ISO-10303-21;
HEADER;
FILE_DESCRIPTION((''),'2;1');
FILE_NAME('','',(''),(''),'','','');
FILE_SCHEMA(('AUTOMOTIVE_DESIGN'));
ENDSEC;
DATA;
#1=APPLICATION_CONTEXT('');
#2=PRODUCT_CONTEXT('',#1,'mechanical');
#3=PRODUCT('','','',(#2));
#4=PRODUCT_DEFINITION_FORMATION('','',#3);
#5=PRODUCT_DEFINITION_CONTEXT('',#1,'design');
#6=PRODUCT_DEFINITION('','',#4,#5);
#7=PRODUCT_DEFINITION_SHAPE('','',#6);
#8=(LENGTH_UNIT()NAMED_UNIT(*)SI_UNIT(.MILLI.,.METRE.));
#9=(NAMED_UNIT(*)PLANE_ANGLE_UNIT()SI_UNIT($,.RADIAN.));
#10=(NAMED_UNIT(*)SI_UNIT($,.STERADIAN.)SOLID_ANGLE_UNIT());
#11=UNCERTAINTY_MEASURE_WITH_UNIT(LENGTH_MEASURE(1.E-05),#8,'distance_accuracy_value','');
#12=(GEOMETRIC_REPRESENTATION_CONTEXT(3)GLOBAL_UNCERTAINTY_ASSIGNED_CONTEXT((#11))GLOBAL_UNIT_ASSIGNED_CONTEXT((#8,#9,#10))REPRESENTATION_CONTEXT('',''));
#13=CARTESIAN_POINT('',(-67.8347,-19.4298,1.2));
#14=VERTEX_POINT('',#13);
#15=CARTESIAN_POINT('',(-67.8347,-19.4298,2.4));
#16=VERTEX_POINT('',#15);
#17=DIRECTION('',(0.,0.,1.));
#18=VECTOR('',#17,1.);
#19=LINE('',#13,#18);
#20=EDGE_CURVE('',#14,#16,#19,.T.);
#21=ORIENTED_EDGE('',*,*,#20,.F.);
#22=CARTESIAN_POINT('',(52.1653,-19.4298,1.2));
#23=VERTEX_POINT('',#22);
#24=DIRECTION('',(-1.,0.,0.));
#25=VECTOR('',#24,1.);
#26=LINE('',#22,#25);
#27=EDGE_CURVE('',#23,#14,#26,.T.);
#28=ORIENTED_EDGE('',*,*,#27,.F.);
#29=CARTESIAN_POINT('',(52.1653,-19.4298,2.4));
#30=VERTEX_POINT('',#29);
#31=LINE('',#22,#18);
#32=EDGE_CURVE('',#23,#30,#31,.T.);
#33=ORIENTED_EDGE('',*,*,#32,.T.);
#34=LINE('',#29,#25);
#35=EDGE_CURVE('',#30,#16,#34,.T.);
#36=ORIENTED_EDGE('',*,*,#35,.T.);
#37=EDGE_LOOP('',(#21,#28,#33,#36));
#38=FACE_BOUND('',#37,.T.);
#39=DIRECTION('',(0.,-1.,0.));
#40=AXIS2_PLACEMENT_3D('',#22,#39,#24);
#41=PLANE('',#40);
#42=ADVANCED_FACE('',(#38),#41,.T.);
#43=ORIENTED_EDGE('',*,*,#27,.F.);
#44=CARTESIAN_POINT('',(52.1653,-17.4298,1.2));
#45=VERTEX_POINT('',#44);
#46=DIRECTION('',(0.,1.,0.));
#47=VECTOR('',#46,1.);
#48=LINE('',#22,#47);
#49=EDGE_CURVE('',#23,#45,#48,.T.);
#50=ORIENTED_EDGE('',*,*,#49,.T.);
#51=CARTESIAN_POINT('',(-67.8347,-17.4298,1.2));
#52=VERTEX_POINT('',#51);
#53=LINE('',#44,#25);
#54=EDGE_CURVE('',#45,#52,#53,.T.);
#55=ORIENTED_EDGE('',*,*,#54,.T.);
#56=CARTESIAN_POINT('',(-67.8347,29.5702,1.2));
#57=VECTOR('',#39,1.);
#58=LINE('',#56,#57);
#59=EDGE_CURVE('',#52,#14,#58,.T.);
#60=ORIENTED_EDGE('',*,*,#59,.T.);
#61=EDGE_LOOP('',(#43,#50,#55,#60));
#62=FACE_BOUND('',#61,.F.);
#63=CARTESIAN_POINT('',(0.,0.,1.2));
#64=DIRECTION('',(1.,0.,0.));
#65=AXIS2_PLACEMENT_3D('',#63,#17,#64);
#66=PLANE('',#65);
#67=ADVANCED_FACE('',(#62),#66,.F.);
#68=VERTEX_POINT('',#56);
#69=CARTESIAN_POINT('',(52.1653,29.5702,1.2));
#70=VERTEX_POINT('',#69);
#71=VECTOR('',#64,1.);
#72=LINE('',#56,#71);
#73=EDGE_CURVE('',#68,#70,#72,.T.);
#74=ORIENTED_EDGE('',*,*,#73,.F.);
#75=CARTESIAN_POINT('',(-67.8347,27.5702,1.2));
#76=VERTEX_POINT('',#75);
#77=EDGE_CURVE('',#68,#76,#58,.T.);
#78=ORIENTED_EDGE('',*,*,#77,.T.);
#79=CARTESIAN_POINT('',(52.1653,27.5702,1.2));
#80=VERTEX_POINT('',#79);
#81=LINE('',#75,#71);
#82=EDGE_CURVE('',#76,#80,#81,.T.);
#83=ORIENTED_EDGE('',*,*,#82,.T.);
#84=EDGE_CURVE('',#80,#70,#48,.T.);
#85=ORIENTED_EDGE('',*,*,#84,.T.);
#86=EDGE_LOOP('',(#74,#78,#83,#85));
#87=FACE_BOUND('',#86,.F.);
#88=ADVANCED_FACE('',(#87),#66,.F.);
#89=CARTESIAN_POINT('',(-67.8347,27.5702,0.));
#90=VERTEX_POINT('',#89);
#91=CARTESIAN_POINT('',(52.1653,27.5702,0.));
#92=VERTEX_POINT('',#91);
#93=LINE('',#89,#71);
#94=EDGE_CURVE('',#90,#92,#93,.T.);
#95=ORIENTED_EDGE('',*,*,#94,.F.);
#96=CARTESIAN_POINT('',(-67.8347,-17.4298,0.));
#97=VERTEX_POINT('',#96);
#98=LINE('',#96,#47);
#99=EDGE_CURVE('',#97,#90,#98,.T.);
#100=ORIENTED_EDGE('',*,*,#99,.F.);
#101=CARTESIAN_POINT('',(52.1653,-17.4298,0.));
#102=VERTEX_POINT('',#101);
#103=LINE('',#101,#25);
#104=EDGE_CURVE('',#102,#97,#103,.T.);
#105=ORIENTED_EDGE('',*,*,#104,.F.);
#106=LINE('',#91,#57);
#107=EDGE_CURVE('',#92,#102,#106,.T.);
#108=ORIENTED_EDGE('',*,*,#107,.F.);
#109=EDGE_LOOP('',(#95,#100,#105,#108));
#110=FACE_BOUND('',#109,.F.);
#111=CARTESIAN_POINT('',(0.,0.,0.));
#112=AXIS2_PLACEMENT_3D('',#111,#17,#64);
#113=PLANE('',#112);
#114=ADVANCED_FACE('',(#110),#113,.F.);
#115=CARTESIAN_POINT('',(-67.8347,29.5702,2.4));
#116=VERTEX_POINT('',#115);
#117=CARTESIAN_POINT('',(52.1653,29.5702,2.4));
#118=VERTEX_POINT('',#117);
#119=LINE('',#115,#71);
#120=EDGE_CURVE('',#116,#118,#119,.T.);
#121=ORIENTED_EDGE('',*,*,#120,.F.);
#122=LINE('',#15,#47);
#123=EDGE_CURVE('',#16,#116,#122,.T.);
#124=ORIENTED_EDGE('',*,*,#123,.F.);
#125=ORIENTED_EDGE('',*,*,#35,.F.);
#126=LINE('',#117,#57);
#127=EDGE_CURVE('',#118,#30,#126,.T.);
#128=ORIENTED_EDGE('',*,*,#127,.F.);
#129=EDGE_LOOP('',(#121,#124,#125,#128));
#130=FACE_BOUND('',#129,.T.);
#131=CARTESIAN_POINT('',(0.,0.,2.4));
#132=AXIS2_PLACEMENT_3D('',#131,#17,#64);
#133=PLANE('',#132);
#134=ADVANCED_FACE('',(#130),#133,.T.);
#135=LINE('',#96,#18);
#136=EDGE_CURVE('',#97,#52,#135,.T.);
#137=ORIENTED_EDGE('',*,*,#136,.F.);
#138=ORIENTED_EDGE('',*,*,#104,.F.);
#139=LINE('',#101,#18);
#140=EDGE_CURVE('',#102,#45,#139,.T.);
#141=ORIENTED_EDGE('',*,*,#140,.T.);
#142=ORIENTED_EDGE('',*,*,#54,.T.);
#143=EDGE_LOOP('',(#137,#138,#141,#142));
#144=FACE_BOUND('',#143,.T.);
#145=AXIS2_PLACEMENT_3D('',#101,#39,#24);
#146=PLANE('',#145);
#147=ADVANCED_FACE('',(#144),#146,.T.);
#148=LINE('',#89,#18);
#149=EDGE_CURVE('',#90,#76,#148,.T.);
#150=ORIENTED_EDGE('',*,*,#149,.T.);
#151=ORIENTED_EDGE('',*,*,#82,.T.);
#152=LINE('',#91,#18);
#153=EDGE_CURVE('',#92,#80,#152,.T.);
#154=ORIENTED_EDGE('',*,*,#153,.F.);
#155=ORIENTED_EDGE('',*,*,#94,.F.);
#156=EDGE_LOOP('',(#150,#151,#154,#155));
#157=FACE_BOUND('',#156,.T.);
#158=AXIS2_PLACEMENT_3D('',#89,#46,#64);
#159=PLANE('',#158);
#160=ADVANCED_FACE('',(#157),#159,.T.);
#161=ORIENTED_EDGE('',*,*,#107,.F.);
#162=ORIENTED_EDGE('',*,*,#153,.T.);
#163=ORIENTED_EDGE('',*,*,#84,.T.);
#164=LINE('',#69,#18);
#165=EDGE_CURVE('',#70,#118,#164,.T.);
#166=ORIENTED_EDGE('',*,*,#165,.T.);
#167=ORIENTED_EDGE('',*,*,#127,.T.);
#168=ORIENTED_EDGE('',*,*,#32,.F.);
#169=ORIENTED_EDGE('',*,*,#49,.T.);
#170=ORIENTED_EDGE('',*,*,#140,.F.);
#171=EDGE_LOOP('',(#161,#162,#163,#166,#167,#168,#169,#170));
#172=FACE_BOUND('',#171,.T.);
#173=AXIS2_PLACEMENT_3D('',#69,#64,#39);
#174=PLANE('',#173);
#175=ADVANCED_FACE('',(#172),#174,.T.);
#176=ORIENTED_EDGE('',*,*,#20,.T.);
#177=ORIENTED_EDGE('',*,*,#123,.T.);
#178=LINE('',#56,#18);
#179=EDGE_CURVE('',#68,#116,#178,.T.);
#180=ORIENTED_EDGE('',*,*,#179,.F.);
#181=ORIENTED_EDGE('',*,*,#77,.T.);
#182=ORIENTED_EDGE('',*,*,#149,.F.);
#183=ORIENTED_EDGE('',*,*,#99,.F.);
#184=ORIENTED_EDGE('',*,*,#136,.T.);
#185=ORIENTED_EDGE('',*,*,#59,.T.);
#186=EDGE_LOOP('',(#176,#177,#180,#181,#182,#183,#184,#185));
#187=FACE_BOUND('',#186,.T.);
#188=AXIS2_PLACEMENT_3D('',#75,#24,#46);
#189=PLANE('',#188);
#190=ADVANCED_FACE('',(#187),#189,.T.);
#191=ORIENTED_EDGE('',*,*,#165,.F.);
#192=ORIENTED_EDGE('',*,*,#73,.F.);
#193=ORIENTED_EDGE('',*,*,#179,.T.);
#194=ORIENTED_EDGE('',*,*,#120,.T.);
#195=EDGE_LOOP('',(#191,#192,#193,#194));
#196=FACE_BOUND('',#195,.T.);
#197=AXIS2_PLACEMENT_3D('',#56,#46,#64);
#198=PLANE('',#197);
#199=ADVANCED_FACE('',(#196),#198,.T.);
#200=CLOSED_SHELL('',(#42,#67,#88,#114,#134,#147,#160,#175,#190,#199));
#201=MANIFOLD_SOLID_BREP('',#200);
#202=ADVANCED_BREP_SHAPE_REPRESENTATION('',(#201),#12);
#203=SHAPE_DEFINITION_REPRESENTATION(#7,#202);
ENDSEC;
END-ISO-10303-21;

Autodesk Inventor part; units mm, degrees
ref_plane "YZ Plane" through (0, 0, 0) normal (1, 0, 0) x (0, 1, 0)
ref_plane "XZ Plane" through (0, 0, 0) normal (0, 1, 0) x (-1, 0, 0)
ref_plane "XY Plane" through (0, 0, 0) normal (0, 0, 1) x (1, 0, 0)
sketch "Sketch1" plane through (0, 0, 0) normal (0, 0, 1) x (1, 0, 0)
  line L0 (-67.8347, 27.5702) -> (52.1653, 27.5702)
  line L1 (52.1653, 27.5702) -> (52.1653, -17.4298)
  line L2 (52.1653, -17.4298) -> (-67.8347, -17.4298)
  line L3 (-67.8347, -17.4298) -> (-67.8347, 27.5702)
  point P0 (0, 0)
  dimension "d0" = 120
  dimension "d1" = 45
extrude "Extrusion1" add sketch "Sketch1" along normal blind 1.2
sketch "Sketch2" plane through (0, 0, 1.2) normal (0, 0, 1) x (1, 0, 0)
  line L0 (-67.8347, 29.5702) -> (52.1653, 29.5702)
  line L1 (52.1653, 29.5702) -> (52.1653, -19.4298)
  line L2 (52.1653, -19.4298) -> (-67.8347, -19.4298)
  line L3 (-67.8347, -19.4298) -> (-67.8347, 29.5702)
  line L4 (52.1653, 27.5702) -> (-67.8347, 27.5702) projected
  line L5 (52.1653, -17.4298) -> (-67.8347, -17.4298) projected
  line L6 (-67.8347, 27.5702) -> (-67.8347, -17.4298) projected
  line L7 (52.1653, -17.4298) -> (52.1653, 27.5702) projected
  point P0 (0, 0)
  dimension "d4" = 2
  dimension "d5" = 2
extrude "Extrusion2" add sketch "Sketch2" along normal blind 1.2
sketch "Sketch3" plane through (0, 0, 2.4) normal (0, 0, 1) x (1, 0, 0)
  point P0 (0, 0)
properties part number "Side"
